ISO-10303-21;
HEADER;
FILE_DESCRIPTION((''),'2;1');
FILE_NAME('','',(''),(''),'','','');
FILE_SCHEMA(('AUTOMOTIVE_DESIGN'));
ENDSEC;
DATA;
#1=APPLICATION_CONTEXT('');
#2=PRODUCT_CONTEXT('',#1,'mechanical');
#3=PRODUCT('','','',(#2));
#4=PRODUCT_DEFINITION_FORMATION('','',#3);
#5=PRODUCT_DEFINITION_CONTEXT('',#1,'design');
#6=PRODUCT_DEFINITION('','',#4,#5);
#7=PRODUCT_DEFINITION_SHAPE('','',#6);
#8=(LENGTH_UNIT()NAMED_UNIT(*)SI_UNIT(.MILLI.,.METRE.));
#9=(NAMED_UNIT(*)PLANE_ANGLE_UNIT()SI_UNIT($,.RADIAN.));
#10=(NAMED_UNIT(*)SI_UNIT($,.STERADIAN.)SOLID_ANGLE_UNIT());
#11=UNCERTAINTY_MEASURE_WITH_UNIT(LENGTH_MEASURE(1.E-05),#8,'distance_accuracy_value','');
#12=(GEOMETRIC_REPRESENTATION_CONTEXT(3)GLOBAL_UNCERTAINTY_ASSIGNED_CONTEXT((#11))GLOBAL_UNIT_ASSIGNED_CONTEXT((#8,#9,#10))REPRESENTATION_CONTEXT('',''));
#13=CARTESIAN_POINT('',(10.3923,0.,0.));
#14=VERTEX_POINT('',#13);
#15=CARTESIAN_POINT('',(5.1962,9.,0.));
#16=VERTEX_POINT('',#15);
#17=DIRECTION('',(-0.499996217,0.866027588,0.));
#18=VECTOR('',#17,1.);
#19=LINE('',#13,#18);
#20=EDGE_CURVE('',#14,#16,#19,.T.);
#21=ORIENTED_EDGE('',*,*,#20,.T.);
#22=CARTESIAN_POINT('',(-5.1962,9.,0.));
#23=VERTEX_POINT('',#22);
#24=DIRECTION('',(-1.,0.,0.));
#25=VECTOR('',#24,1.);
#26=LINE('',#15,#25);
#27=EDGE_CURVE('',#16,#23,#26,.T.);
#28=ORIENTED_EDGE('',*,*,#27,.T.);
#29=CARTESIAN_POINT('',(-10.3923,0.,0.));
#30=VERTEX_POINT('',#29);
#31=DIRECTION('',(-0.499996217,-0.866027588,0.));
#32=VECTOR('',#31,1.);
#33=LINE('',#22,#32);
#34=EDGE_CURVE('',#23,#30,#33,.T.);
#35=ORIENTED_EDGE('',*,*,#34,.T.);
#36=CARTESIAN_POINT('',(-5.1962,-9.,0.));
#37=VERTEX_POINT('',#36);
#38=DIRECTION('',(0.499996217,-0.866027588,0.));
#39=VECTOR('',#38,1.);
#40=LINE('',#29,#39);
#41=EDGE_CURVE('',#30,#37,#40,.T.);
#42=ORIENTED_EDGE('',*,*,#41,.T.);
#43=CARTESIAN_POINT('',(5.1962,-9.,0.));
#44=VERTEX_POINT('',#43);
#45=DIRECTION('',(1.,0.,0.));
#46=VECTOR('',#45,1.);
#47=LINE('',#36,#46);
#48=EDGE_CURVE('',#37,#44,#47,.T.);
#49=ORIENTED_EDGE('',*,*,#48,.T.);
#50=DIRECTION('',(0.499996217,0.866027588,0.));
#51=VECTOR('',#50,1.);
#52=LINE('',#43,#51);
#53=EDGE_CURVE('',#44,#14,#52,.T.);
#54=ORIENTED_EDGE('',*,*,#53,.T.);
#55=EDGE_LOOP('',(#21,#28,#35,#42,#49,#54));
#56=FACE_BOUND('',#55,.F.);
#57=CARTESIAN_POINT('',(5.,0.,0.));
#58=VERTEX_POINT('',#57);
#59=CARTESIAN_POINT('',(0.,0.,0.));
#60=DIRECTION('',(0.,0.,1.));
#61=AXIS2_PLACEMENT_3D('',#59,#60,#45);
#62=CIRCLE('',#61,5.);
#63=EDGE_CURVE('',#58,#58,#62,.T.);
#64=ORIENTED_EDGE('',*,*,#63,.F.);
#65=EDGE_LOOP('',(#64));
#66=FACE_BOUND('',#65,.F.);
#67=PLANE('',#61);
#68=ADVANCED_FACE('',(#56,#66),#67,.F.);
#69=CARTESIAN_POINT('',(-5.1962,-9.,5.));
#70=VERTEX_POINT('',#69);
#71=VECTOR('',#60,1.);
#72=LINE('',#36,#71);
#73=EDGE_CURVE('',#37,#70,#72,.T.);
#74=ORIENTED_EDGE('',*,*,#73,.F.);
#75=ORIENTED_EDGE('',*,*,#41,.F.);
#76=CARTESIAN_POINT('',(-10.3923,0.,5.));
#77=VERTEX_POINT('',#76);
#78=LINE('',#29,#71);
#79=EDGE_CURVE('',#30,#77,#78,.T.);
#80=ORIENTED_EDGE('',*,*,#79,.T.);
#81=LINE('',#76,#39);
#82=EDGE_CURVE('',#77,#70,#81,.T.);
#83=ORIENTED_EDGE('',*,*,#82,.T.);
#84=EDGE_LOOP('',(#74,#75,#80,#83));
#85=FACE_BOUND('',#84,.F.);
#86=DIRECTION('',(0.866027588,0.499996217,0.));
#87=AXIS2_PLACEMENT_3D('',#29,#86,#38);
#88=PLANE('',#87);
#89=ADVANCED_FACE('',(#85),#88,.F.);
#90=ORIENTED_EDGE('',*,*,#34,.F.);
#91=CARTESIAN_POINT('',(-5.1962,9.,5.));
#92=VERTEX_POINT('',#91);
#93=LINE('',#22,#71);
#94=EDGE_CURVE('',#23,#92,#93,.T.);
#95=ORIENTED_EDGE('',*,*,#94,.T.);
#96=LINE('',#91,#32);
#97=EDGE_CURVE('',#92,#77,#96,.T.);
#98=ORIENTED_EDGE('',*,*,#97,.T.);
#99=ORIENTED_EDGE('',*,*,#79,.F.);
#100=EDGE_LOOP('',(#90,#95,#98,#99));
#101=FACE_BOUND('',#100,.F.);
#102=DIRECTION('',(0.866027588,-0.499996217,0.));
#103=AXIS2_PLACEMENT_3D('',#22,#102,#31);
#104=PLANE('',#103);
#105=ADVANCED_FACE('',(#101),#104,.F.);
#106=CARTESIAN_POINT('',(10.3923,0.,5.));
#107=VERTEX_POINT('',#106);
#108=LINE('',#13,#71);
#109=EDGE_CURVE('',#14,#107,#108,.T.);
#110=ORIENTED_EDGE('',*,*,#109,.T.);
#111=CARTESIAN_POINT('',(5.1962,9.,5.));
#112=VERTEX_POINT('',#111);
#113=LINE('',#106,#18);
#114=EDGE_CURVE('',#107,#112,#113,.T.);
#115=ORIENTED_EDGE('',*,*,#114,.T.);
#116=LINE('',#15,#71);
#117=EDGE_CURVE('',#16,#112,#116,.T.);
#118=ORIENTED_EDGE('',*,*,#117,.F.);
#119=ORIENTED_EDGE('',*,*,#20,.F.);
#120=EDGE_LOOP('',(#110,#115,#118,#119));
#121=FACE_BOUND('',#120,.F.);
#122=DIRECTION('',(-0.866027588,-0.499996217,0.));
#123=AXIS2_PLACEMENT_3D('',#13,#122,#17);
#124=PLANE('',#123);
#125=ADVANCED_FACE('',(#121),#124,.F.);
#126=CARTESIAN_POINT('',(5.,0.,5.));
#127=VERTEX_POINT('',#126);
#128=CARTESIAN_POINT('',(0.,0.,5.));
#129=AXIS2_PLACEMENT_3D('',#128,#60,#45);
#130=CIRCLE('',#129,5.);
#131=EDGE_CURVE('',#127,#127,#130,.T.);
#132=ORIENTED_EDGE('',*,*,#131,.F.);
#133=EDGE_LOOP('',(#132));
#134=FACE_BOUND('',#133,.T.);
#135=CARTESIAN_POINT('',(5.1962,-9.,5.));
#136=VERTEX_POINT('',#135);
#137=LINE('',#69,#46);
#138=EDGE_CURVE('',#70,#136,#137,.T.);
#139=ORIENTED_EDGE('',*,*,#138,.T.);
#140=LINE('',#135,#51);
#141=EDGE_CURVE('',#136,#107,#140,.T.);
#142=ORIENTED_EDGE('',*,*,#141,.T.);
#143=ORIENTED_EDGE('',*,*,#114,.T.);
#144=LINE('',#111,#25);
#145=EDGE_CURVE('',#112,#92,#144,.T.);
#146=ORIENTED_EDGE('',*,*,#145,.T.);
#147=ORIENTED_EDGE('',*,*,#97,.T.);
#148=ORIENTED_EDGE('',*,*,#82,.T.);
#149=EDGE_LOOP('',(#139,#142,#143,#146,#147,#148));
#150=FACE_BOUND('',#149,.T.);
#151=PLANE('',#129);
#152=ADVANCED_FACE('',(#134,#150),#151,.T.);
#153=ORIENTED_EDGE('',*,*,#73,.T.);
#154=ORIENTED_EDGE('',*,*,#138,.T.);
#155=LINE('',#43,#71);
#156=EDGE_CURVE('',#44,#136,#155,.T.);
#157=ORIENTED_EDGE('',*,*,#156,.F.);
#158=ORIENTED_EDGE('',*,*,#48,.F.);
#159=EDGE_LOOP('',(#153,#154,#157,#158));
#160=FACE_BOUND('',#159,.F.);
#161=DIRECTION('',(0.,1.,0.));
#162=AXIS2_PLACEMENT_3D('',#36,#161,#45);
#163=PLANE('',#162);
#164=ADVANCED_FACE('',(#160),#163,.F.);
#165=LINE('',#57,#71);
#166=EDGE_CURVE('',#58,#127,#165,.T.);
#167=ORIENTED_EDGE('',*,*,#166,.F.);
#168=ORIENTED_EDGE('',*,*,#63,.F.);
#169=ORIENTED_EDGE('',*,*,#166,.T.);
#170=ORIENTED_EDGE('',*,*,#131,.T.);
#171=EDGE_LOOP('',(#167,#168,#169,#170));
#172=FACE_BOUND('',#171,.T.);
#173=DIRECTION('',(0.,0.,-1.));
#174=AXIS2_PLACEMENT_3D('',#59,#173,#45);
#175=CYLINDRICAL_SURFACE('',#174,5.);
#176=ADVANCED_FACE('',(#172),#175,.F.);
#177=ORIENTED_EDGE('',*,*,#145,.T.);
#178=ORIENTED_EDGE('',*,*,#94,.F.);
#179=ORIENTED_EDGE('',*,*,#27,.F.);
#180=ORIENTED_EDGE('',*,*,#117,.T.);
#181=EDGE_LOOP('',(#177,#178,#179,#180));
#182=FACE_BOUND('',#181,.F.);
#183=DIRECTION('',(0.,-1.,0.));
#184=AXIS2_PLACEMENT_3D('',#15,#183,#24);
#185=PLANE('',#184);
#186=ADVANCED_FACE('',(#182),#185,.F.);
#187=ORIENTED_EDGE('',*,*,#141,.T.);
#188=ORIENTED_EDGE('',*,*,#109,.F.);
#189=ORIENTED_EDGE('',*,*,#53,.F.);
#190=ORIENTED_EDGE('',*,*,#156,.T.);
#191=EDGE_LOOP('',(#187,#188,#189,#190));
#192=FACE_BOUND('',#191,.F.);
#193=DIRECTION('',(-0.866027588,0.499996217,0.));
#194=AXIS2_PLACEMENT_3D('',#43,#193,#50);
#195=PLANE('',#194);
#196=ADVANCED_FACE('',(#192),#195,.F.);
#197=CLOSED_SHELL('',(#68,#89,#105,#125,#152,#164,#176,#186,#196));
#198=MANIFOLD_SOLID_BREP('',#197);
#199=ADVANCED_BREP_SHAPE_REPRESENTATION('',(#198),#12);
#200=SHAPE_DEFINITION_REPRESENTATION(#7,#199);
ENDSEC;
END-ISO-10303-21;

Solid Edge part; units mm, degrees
sketch "Sketch1" plane through (0, 0, 0) normal (0, 0, 1) x (1, 0, 0)
  line L0 (5.1962, -9) -> (10.3923, 0)
  line L1 (10.3923, 0) -> (5.1962, 9)
  line L2 (5.1962, 9) -> (-5.1962, 9)
  line L3 (-5.1962, 9) -> (-10.3923, 0)
  line L4 (-10.3923, 0) -> (-5.1962, -9)
  line L5 (-5.1962, -9) -> (5.1962, -9)
  circle A0 centre (0, 0) radius 5
extrude "Protrusion1" add sketch "Sketch1" along normal blind 5
